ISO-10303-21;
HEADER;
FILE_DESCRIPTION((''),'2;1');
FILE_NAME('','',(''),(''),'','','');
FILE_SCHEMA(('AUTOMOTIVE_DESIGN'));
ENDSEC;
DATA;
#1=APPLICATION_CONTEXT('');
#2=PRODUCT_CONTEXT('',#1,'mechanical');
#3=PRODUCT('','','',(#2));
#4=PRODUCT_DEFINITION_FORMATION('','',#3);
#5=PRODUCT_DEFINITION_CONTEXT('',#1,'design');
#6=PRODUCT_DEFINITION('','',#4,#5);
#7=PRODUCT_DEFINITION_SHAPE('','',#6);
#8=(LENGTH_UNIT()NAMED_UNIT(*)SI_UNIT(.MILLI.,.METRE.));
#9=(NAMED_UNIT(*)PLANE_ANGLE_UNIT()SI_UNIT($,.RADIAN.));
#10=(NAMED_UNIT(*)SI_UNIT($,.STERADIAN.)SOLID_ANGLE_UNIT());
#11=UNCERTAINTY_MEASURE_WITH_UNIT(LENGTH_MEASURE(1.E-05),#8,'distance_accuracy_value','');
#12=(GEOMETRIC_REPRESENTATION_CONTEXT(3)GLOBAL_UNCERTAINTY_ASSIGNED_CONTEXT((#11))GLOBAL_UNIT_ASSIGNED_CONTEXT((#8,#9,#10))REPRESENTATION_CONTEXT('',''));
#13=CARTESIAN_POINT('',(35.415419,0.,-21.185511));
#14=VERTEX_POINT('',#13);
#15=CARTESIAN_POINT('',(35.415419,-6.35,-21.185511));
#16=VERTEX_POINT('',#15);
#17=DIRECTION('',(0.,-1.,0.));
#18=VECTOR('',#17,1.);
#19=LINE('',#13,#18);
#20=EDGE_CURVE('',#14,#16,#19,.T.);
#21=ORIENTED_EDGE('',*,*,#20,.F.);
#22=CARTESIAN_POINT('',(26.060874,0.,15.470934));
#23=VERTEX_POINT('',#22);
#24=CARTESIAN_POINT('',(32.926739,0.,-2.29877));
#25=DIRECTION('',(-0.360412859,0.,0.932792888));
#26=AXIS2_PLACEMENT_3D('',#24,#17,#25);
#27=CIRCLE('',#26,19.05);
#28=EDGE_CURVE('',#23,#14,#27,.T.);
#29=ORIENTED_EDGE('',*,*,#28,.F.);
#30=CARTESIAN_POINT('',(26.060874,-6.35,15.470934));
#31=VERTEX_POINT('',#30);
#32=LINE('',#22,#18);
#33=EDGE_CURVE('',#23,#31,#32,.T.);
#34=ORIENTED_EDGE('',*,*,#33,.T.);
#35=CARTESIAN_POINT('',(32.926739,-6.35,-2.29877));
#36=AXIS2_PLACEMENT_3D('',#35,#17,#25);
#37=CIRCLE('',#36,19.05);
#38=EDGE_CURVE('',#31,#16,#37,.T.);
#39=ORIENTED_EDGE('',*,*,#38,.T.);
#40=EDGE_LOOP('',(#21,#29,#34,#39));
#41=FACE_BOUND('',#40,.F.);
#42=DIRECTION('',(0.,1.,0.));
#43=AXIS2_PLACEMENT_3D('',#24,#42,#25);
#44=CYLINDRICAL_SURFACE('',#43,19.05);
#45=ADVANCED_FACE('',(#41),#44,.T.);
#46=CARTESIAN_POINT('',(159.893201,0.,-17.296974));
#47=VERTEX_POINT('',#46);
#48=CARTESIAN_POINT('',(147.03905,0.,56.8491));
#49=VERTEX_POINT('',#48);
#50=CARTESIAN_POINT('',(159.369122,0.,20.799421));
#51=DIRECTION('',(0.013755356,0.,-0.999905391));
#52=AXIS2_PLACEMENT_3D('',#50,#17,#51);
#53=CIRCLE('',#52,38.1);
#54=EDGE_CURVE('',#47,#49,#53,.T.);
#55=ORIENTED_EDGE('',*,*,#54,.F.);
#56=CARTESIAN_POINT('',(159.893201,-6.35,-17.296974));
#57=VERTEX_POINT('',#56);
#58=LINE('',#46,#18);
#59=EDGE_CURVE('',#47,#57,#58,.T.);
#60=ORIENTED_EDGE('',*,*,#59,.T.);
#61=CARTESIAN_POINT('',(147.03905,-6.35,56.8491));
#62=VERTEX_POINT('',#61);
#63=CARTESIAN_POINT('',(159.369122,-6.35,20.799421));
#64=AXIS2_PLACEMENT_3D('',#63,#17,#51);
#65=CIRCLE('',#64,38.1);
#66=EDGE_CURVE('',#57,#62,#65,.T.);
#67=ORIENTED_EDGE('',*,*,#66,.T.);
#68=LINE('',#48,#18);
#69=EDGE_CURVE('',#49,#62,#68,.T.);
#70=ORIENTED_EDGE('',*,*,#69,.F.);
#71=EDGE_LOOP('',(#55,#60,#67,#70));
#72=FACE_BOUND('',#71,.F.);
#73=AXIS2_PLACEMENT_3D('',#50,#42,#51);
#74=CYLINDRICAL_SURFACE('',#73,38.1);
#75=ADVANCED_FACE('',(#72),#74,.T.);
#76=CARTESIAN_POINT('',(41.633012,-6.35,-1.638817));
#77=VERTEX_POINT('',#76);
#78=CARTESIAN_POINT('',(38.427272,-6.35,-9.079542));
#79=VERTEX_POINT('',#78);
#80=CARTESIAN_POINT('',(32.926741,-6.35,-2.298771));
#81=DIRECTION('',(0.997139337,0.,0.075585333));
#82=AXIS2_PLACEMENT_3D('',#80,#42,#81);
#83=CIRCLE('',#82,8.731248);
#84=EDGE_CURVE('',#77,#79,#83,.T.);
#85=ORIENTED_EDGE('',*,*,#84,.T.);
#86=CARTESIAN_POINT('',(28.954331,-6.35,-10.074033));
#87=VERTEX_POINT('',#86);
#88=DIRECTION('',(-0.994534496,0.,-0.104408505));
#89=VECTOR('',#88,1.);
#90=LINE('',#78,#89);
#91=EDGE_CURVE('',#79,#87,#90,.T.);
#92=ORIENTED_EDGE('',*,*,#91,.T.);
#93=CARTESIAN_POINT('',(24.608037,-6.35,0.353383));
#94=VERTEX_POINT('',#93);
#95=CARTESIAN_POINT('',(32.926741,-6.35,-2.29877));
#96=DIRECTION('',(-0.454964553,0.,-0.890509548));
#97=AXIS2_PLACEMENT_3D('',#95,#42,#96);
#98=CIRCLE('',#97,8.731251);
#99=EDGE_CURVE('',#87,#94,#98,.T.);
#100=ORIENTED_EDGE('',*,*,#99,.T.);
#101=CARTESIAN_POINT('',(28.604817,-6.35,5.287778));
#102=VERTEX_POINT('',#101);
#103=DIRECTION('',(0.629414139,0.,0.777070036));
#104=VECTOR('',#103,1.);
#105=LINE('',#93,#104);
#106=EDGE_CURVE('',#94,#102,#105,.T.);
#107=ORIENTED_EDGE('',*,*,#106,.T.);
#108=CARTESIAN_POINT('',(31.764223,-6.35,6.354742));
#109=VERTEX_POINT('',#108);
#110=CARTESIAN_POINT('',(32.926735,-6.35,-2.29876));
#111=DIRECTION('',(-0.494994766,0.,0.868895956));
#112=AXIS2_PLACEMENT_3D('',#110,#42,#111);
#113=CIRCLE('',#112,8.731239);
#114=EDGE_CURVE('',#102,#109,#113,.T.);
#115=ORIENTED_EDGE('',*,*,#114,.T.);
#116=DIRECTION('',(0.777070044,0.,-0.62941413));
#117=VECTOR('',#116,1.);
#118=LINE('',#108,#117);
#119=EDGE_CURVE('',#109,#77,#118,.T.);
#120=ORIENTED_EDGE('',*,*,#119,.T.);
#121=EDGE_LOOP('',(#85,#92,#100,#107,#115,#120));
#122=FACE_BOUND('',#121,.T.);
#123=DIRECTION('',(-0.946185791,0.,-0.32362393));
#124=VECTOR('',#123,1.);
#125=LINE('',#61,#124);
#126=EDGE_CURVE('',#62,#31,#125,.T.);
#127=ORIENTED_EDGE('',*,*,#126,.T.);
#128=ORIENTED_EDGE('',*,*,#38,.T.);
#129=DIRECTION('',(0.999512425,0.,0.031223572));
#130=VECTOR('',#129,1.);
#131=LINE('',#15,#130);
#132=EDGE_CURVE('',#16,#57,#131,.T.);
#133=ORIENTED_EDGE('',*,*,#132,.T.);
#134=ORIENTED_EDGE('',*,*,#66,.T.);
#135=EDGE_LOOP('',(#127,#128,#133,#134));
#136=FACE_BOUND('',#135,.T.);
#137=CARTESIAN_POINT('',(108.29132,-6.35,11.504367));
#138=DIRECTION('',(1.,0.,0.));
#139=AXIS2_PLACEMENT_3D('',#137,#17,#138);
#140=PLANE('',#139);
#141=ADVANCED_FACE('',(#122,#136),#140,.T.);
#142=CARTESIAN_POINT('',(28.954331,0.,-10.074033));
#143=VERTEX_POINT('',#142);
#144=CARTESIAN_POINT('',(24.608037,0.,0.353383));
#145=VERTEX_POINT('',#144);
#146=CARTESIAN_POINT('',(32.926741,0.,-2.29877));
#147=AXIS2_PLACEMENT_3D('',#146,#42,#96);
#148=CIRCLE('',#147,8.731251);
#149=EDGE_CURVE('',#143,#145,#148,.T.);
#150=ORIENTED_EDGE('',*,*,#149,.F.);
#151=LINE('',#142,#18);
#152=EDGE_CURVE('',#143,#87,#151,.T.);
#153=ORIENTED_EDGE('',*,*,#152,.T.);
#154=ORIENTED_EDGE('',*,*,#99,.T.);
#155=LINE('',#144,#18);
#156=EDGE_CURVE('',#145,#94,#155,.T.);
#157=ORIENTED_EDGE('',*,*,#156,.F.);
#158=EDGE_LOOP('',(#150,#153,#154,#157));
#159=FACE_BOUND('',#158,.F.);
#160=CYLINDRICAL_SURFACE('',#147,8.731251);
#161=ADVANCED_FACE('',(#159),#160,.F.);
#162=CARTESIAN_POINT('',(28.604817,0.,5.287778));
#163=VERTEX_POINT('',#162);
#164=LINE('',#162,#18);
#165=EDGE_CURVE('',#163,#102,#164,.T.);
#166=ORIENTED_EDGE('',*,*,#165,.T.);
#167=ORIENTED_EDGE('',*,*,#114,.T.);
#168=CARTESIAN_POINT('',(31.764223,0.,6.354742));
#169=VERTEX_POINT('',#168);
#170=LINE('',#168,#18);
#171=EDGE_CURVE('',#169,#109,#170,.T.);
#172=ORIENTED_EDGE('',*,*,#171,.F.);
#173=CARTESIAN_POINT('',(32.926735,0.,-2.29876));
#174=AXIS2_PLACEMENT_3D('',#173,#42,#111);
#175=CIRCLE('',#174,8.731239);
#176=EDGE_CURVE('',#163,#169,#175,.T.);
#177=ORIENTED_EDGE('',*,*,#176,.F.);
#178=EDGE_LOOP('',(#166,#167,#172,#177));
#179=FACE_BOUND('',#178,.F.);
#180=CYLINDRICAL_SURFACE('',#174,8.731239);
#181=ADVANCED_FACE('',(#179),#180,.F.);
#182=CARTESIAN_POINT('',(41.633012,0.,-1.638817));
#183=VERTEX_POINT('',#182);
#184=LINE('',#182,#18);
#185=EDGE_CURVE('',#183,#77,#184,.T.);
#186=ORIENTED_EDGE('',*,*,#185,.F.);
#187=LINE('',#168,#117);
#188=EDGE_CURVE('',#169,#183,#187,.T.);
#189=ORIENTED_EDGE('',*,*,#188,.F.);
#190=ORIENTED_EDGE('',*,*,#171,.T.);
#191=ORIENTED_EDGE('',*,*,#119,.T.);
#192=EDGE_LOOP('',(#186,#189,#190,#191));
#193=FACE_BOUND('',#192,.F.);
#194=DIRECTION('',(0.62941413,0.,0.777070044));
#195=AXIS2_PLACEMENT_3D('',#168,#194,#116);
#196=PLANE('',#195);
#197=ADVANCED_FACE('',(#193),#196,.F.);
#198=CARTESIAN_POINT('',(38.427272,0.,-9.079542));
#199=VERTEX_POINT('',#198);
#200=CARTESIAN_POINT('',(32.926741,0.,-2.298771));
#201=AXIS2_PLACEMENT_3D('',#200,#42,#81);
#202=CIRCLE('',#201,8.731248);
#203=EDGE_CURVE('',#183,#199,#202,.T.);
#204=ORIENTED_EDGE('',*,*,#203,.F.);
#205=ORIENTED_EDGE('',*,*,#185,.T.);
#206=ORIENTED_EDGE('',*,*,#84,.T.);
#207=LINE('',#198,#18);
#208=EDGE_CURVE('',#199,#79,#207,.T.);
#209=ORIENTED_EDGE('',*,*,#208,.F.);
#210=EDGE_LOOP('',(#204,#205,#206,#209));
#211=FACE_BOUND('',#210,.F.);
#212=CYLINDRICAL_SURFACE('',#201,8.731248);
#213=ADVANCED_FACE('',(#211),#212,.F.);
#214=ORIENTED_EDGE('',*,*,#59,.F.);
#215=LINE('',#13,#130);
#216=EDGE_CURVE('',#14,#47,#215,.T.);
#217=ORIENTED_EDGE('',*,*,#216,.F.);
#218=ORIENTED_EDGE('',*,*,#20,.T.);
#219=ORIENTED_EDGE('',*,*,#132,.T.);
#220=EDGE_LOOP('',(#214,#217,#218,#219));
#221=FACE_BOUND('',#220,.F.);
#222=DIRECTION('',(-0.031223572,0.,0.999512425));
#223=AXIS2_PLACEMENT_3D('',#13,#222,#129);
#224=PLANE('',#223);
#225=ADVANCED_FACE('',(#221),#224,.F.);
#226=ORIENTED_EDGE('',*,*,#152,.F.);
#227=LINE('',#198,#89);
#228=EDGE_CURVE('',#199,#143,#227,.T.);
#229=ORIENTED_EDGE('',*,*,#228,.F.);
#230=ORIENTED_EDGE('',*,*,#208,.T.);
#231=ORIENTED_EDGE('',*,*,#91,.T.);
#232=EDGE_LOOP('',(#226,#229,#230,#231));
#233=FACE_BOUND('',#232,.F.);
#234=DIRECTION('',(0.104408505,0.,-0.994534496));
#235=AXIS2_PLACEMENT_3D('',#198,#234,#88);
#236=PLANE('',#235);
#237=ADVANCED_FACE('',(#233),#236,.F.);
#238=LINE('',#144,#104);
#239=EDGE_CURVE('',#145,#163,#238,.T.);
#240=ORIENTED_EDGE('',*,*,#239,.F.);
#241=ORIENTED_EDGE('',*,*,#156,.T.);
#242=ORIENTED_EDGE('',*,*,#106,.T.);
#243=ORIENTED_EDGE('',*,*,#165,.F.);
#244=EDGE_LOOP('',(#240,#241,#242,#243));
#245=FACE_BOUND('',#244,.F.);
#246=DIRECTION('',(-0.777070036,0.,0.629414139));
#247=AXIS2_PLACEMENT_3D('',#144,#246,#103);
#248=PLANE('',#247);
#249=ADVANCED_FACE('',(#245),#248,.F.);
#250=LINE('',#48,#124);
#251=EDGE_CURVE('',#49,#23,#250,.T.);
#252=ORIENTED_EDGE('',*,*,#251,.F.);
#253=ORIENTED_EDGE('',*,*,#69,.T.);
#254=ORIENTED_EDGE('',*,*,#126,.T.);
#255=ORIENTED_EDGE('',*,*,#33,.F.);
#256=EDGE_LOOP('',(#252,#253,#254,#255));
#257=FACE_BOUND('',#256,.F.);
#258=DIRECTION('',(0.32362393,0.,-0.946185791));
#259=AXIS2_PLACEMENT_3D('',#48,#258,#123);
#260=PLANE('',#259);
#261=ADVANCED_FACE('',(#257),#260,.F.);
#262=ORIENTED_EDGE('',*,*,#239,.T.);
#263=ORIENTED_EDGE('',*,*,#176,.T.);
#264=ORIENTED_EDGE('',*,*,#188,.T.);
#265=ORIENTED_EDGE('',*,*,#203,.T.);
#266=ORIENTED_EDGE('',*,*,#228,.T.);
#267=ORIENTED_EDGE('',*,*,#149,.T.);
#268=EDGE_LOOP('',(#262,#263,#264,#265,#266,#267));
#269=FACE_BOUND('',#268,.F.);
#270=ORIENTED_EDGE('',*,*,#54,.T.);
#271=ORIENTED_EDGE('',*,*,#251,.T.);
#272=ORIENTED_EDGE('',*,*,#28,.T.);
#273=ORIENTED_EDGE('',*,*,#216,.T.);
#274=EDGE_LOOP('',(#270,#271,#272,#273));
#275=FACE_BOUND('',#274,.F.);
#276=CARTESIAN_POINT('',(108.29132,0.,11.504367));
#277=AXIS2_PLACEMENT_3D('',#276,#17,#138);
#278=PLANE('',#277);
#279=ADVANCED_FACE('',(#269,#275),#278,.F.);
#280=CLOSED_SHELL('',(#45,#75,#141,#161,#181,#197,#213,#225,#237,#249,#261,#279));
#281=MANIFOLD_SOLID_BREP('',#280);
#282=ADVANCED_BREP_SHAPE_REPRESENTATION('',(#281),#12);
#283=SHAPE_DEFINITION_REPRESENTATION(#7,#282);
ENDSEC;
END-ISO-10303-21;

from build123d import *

# Parameters (mm, degrees)
F1_DEPTH = 6.35


with BuildPart() as f1:
    # F0 (on Front) → F1 (new body)
    with BuildSketch(Plane.XZ):
        with BuildLine():
            Line((147.03905, 56.8491), (26.060874, 15.470934))
            ThreePointArc((26.060874, 15.470934), (14.468308, -7.009272), (35.415419, -21.185511))
            Line((35.415419, -21.185511), (159.893201, -17.296974))
            ThreePointArc((159.893201, -17.296974), (196.909173, 27.30746), (147.03905, 56.8491))
        make_face()
        with BuildLine():
            ThreePointArc((28.604817, 5.287778), (30.133109, 5.973494), (31.764223, 6.354742))
            Line((31.764223, 6.354742), (41.633012, -1.638817))
            ThreePointArc((41.633012, -1.638817), (40.945432, -5.75352), (38.427272, -9.079542))
            Line((38.427272, -9.079542), (28.954331, -10.074033))
            ThreePointArc((28.954331, -10.074033), (24.867546, -5.657956), (24.608037, 0.353383))
            Line((24.608037, 0.353383), (28.604817, 5.287778))
        make_face(mode=Mode.SUBTRACT)
    extrude(amount=F1_DEPTH)


solid = f1.part
